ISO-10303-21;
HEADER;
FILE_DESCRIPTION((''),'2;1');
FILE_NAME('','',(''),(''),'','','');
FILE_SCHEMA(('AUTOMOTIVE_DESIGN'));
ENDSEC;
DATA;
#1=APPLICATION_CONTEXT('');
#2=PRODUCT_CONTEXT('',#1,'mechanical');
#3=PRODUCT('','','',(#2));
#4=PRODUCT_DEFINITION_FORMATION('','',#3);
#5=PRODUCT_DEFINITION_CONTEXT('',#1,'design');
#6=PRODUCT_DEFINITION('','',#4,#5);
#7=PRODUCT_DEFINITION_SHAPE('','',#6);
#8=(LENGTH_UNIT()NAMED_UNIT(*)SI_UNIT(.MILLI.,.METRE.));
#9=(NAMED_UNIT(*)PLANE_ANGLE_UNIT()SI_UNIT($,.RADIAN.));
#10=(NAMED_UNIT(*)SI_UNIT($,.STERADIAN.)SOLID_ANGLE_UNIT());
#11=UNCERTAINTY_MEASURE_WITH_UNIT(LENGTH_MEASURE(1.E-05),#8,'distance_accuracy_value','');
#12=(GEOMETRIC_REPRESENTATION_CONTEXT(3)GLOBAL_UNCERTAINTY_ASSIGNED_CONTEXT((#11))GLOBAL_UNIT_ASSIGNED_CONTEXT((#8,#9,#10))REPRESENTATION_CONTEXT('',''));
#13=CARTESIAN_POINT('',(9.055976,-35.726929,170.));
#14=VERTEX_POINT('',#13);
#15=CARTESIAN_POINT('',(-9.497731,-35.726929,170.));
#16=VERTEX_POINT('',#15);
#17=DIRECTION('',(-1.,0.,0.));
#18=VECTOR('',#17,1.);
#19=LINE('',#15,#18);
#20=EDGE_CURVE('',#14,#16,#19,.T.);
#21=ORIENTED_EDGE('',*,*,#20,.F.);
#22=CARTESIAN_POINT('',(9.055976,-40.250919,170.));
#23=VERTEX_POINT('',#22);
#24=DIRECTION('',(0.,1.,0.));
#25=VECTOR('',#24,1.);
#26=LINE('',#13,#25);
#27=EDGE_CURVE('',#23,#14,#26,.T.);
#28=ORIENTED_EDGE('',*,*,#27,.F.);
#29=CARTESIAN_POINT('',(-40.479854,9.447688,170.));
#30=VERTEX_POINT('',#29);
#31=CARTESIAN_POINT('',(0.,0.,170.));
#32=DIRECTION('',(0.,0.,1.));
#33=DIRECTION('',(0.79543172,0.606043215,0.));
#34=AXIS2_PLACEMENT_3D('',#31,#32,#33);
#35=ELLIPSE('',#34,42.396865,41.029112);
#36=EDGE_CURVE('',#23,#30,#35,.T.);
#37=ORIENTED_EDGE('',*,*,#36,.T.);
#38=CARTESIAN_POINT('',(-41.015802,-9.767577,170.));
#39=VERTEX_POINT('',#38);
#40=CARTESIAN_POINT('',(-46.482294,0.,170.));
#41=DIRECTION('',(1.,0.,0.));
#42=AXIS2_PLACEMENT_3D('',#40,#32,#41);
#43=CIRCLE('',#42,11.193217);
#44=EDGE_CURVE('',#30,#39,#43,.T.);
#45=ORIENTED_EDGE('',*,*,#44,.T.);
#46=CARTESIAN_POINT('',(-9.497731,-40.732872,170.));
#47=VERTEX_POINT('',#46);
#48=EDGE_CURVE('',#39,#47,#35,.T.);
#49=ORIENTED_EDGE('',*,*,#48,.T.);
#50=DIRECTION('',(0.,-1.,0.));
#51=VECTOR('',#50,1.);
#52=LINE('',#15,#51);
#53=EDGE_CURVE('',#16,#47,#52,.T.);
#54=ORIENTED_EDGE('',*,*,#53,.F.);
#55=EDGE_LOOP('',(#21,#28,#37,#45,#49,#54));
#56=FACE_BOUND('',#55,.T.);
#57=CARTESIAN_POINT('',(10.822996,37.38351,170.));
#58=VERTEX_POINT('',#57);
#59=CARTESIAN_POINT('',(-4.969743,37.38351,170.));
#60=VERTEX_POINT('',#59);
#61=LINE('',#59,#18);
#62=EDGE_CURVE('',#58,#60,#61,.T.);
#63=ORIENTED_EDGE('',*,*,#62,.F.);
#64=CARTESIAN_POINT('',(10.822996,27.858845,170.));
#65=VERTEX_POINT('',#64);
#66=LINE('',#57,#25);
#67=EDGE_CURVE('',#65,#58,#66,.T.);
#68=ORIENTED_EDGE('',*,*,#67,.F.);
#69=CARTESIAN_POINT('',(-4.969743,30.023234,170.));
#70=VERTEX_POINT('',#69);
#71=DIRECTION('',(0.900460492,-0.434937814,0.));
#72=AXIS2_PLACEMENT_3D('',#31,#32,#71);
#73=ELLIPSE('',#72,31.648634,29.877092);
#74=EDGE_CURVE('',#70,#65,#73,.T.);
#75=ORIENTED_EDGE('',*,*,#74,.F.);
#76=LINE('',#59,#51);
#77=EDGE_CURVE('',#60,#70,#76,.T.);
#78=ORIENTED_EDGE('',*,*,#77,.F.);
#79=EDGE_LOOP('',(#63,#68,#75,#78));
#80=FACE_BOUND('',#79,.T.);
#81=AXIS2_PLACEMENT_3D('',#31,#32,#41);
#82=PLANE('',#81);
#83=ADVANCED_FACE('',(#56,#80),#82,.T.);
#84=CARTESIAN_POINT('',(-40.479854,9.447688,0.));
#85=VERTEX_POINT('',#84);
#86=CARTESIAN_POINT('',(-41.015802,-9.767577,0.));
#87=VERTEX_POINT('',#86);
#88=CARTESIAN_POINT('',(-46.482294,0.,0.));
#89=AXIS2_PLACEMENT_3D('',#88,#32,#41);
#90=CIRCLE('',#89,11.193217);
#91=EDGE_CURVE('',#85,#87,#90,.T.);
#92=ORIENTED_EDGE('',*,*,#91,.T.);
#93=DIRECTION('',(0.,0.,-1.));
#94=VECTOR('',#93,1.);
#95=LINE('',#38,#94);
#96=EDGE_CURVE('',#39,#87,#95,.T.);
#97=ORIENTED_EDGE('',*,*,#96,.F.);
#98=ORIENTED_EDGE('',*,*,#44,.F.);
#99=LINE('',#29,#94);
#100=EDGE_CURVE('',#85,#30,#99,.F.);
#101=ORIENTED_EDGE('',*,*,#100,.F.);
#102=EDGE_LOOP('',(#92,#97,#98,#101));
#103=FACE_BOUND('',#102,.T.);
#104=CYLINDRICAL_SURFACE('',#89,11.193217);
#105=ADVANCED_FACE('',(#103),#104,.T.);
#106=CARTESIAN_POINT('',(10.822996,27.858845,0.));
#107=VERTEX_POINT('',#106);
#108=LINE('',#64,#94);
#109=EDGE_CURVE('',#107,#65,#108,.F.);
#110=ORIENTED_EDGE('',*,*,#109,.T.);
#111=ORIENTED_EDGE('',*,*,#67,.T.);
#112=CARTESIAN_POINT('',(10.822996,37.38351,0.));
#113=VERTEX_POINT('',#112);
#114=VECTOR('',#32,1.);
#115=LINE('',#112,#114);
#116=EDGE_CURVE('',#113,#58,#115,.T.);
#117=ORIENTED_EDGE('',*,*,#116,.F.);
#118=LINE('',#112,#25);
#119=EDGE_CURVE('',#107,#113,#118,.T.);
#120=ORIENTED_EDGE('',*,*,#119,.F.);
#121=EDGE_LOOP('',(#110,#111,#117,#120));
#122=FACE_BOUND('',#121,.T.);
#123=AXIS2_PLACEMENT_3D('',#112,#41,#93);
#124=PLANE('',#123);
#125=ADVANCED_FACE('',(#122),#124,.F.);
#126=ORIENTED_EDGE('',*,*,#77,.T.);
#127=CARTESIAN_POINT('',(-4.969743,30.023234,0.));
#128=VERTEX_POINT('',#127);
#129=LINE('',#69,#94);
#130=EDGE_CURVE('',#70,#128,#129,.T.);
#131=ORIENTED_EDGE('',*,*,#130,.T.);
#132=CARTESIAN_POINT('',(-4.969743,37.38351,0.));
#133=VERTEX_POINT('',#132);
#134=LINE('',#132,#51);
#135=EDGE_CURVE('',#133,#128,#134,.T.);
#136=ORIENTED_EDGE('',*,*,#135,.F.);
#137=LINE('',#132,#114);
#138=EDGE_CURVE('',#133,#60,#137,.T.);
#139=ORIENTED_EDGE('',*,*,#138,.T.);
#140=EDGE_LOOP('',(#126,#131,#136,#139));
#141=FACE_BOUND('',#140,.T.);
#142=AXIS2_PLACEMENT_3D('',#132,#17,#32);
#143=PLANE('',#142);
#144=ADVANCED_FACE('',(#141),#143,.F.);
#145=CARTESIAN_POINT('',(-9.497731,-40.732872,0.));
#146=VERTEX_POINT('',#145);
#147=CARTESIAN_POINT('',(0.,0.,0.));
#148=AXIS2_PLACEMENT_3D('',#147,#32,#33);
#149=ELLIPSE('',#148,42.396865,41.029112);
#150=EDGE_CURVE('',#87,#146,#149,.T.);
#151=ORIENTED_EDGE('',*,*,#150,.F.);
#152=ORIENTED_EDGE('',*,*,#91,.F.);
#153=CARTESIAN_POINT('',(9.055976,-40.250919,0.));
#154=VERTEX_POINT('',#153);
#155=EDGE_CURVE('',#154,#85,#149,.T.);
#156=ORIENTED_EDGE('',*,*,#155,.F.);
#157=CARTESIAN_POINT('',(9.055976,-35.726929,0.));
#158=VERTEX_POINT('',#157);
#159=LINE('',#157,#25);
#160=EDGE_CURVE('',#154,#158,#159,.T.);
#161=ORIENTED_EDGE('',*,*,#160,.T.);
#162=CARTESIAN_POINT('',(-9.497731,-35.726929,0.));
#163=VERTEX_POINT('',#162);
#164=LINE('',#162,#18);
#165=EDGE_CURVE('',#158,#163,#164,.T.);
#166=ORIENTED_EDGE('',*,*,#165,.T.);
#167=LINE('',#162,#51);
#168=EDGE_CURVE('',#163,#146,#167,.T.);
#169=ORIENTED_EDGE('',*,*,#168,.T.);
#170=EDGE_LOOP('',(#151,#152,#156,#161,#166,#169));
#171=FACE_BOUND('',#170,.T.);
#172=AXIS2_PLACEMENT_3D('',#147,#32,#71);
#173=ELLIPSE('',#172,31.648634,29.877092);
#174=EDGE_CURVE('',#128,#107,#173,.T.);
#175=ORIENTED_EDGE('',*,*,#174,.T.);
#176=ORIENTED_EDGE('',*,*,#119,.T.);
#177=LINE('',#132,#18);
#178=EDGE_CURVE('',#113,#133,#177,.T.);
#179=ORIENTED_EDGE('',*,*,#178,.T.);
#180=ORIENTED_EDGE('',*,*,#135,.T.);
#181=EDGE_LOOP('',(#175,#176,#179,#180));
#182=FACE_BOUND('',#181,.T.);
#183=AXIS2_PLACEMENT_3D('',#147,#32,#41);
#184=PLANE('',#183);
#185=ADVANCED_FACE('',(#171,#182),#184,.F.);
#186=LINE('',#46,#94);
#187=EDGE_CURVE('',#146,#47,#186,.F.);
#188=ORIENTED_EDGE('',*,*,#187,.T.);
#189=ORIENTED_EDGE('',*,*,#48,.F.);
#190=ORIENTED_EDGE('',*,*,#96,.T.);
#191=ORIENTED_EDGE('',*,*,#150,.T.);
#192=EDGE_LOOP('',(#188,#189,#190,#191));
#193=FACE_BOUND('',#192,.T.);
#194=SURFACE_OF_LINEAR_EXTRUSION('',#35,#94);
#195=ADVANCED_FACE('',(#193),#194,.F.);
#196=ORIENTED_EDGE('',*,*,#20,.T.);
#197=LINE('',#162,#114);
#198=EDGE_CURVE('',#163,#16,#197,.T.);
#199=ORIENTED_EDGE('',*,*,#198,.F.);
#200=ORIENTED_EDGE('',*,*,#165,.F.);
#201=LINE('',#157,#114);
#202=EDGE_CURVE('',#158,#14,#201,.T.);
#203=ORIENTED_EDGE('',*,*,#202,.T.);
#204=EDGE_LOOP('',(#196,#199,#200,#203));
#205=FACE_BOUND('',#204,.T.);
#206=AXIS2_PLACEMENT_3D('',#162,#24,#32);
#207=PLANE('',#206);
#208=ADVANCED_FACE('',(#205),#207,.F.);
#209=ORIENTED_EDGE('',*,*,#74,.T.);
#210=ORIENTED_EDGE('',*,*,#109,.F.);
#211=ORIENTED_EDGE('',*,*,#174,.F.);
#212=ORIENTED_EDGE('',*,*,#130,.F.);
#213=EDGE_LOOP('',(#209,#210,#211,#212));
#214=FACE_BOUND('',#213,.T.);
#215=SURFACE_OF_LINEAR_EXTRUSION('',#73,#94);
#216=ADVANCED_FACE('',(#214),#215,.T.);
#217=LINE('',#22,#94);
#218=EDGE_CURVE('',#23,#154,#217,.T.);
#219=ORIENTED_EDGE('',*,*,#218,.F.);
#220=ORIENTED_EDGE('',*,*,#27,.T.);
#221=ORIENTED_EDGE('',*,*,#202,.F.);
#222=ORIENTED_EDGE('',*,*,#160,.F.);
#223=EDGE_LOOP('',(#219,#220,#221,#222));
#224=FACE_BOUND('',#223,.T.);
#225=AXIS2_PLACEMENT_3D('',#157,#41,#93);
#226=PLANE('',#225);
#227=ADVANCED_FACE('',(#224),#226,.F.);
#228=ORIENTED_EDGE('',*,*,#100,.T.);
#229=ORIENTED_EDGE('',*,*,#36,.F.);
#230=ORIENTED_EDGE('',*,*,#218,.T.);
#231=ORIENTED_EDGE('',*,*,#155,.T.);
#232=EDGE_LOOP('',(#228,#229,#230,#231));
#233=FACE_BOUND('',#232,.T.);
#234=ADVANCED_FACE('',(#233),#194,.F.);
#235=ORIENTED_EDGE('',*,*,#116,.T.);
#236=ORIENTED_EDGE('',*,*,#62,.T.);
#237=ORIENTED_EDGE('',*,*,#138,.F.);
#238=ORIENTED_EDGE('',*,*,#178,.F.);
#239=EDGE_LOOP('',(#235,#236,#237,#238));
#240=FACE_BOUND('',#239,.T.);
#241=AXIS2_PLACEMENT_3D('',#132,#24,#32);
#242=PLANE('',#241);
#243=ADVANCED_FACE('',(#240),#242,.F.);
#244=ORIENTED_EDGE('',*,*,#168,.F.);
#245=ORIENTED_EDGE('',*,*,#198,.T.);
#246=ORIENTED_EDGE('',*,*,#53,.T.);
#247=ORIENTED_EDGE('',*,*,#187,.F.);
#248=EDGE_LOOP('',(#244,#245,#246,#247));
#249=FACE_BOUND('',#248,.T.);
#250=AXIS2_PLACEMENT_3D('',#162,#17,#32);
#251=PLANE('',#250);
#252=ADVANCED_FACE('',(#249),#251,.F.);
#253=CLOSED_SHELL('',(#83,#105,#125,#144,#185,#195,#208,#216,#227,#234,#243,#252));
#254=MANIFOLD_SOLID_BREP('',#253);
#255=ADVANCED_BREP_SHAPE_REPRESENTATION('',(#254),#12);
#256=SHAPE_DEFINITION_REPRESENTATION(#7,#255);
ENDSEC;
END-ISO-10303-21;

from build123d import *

# Parameters (mm, degrees)
ESQUISSE1_RX            = 42.396864719
ESQUISSE1_RY            = 41.029112223
ESQUISSE1_RX_2          = 31.648634461
ESQUISSE1_RY_2          = 29.877092437
BOSS_EXTRU_1_DEPTH      = 170
ESQUISSE2_W             = 15.792738377
ESQUISSE2_H             = 16.344932025
ESQUISSE2_W_2           = 18.553706624
ESQUISSE2_H_2           = 11.816944099
ENL_V_MAT_EXTRU_1_DEPTH = 170
ESQUISSE3_R             = 11.193216681
BOSS_EXTRU_2_DEPTH      = 170


with BuildPart() as part:
    # Esquisse1 → Boss.-Extru.1 (new body)
    with BuildSketch(Plane.XY):
        with Locations(Location((0, 0), (0, 0, 37.303948278))):
            Ellipse(ESQUISSE1_RX, ESQUISSE1_RY)
        with Locations(Location((0, 0), (0, 0, -25.781336929))):
            Ellipse(ESQUISSE1_RX_2, ESQUISSE1_RY_2, mode=Mode.SUBTRACT)
    extrude(amount=BOSS_EXTRU_1_DEPTH)

    # Esquisse2 → Enlèv. mat.-Extru.1 (cut)
    with BuildSketch(Plane.XY.offset(170)):
        with Locations((2.926626343, 29.21104406)):
            Rectangle(ESQUISSE2_W, ESQUISSE2_H)
        with Locations((-0.22087746, -41.635401174)):
            Rectangle(ESQUISSE2_W_2, ESQUISSE2_H_2)
    extrude(amount=-ENL_V_MAT_EXTRU_1_DEPTH, mode=Mode.SUBTRACT)

    # Esquisse3 → Boss.-Extru.2 (add)
    with BuildSketch(Plane.XY.offset(170)):
        with Locations((-46.482294325, 0)):
            Circle(ESQUISSE3_R)
    extrude(amount=-BOSS_EXTRU_2_DEPTH)


solid = part.part
